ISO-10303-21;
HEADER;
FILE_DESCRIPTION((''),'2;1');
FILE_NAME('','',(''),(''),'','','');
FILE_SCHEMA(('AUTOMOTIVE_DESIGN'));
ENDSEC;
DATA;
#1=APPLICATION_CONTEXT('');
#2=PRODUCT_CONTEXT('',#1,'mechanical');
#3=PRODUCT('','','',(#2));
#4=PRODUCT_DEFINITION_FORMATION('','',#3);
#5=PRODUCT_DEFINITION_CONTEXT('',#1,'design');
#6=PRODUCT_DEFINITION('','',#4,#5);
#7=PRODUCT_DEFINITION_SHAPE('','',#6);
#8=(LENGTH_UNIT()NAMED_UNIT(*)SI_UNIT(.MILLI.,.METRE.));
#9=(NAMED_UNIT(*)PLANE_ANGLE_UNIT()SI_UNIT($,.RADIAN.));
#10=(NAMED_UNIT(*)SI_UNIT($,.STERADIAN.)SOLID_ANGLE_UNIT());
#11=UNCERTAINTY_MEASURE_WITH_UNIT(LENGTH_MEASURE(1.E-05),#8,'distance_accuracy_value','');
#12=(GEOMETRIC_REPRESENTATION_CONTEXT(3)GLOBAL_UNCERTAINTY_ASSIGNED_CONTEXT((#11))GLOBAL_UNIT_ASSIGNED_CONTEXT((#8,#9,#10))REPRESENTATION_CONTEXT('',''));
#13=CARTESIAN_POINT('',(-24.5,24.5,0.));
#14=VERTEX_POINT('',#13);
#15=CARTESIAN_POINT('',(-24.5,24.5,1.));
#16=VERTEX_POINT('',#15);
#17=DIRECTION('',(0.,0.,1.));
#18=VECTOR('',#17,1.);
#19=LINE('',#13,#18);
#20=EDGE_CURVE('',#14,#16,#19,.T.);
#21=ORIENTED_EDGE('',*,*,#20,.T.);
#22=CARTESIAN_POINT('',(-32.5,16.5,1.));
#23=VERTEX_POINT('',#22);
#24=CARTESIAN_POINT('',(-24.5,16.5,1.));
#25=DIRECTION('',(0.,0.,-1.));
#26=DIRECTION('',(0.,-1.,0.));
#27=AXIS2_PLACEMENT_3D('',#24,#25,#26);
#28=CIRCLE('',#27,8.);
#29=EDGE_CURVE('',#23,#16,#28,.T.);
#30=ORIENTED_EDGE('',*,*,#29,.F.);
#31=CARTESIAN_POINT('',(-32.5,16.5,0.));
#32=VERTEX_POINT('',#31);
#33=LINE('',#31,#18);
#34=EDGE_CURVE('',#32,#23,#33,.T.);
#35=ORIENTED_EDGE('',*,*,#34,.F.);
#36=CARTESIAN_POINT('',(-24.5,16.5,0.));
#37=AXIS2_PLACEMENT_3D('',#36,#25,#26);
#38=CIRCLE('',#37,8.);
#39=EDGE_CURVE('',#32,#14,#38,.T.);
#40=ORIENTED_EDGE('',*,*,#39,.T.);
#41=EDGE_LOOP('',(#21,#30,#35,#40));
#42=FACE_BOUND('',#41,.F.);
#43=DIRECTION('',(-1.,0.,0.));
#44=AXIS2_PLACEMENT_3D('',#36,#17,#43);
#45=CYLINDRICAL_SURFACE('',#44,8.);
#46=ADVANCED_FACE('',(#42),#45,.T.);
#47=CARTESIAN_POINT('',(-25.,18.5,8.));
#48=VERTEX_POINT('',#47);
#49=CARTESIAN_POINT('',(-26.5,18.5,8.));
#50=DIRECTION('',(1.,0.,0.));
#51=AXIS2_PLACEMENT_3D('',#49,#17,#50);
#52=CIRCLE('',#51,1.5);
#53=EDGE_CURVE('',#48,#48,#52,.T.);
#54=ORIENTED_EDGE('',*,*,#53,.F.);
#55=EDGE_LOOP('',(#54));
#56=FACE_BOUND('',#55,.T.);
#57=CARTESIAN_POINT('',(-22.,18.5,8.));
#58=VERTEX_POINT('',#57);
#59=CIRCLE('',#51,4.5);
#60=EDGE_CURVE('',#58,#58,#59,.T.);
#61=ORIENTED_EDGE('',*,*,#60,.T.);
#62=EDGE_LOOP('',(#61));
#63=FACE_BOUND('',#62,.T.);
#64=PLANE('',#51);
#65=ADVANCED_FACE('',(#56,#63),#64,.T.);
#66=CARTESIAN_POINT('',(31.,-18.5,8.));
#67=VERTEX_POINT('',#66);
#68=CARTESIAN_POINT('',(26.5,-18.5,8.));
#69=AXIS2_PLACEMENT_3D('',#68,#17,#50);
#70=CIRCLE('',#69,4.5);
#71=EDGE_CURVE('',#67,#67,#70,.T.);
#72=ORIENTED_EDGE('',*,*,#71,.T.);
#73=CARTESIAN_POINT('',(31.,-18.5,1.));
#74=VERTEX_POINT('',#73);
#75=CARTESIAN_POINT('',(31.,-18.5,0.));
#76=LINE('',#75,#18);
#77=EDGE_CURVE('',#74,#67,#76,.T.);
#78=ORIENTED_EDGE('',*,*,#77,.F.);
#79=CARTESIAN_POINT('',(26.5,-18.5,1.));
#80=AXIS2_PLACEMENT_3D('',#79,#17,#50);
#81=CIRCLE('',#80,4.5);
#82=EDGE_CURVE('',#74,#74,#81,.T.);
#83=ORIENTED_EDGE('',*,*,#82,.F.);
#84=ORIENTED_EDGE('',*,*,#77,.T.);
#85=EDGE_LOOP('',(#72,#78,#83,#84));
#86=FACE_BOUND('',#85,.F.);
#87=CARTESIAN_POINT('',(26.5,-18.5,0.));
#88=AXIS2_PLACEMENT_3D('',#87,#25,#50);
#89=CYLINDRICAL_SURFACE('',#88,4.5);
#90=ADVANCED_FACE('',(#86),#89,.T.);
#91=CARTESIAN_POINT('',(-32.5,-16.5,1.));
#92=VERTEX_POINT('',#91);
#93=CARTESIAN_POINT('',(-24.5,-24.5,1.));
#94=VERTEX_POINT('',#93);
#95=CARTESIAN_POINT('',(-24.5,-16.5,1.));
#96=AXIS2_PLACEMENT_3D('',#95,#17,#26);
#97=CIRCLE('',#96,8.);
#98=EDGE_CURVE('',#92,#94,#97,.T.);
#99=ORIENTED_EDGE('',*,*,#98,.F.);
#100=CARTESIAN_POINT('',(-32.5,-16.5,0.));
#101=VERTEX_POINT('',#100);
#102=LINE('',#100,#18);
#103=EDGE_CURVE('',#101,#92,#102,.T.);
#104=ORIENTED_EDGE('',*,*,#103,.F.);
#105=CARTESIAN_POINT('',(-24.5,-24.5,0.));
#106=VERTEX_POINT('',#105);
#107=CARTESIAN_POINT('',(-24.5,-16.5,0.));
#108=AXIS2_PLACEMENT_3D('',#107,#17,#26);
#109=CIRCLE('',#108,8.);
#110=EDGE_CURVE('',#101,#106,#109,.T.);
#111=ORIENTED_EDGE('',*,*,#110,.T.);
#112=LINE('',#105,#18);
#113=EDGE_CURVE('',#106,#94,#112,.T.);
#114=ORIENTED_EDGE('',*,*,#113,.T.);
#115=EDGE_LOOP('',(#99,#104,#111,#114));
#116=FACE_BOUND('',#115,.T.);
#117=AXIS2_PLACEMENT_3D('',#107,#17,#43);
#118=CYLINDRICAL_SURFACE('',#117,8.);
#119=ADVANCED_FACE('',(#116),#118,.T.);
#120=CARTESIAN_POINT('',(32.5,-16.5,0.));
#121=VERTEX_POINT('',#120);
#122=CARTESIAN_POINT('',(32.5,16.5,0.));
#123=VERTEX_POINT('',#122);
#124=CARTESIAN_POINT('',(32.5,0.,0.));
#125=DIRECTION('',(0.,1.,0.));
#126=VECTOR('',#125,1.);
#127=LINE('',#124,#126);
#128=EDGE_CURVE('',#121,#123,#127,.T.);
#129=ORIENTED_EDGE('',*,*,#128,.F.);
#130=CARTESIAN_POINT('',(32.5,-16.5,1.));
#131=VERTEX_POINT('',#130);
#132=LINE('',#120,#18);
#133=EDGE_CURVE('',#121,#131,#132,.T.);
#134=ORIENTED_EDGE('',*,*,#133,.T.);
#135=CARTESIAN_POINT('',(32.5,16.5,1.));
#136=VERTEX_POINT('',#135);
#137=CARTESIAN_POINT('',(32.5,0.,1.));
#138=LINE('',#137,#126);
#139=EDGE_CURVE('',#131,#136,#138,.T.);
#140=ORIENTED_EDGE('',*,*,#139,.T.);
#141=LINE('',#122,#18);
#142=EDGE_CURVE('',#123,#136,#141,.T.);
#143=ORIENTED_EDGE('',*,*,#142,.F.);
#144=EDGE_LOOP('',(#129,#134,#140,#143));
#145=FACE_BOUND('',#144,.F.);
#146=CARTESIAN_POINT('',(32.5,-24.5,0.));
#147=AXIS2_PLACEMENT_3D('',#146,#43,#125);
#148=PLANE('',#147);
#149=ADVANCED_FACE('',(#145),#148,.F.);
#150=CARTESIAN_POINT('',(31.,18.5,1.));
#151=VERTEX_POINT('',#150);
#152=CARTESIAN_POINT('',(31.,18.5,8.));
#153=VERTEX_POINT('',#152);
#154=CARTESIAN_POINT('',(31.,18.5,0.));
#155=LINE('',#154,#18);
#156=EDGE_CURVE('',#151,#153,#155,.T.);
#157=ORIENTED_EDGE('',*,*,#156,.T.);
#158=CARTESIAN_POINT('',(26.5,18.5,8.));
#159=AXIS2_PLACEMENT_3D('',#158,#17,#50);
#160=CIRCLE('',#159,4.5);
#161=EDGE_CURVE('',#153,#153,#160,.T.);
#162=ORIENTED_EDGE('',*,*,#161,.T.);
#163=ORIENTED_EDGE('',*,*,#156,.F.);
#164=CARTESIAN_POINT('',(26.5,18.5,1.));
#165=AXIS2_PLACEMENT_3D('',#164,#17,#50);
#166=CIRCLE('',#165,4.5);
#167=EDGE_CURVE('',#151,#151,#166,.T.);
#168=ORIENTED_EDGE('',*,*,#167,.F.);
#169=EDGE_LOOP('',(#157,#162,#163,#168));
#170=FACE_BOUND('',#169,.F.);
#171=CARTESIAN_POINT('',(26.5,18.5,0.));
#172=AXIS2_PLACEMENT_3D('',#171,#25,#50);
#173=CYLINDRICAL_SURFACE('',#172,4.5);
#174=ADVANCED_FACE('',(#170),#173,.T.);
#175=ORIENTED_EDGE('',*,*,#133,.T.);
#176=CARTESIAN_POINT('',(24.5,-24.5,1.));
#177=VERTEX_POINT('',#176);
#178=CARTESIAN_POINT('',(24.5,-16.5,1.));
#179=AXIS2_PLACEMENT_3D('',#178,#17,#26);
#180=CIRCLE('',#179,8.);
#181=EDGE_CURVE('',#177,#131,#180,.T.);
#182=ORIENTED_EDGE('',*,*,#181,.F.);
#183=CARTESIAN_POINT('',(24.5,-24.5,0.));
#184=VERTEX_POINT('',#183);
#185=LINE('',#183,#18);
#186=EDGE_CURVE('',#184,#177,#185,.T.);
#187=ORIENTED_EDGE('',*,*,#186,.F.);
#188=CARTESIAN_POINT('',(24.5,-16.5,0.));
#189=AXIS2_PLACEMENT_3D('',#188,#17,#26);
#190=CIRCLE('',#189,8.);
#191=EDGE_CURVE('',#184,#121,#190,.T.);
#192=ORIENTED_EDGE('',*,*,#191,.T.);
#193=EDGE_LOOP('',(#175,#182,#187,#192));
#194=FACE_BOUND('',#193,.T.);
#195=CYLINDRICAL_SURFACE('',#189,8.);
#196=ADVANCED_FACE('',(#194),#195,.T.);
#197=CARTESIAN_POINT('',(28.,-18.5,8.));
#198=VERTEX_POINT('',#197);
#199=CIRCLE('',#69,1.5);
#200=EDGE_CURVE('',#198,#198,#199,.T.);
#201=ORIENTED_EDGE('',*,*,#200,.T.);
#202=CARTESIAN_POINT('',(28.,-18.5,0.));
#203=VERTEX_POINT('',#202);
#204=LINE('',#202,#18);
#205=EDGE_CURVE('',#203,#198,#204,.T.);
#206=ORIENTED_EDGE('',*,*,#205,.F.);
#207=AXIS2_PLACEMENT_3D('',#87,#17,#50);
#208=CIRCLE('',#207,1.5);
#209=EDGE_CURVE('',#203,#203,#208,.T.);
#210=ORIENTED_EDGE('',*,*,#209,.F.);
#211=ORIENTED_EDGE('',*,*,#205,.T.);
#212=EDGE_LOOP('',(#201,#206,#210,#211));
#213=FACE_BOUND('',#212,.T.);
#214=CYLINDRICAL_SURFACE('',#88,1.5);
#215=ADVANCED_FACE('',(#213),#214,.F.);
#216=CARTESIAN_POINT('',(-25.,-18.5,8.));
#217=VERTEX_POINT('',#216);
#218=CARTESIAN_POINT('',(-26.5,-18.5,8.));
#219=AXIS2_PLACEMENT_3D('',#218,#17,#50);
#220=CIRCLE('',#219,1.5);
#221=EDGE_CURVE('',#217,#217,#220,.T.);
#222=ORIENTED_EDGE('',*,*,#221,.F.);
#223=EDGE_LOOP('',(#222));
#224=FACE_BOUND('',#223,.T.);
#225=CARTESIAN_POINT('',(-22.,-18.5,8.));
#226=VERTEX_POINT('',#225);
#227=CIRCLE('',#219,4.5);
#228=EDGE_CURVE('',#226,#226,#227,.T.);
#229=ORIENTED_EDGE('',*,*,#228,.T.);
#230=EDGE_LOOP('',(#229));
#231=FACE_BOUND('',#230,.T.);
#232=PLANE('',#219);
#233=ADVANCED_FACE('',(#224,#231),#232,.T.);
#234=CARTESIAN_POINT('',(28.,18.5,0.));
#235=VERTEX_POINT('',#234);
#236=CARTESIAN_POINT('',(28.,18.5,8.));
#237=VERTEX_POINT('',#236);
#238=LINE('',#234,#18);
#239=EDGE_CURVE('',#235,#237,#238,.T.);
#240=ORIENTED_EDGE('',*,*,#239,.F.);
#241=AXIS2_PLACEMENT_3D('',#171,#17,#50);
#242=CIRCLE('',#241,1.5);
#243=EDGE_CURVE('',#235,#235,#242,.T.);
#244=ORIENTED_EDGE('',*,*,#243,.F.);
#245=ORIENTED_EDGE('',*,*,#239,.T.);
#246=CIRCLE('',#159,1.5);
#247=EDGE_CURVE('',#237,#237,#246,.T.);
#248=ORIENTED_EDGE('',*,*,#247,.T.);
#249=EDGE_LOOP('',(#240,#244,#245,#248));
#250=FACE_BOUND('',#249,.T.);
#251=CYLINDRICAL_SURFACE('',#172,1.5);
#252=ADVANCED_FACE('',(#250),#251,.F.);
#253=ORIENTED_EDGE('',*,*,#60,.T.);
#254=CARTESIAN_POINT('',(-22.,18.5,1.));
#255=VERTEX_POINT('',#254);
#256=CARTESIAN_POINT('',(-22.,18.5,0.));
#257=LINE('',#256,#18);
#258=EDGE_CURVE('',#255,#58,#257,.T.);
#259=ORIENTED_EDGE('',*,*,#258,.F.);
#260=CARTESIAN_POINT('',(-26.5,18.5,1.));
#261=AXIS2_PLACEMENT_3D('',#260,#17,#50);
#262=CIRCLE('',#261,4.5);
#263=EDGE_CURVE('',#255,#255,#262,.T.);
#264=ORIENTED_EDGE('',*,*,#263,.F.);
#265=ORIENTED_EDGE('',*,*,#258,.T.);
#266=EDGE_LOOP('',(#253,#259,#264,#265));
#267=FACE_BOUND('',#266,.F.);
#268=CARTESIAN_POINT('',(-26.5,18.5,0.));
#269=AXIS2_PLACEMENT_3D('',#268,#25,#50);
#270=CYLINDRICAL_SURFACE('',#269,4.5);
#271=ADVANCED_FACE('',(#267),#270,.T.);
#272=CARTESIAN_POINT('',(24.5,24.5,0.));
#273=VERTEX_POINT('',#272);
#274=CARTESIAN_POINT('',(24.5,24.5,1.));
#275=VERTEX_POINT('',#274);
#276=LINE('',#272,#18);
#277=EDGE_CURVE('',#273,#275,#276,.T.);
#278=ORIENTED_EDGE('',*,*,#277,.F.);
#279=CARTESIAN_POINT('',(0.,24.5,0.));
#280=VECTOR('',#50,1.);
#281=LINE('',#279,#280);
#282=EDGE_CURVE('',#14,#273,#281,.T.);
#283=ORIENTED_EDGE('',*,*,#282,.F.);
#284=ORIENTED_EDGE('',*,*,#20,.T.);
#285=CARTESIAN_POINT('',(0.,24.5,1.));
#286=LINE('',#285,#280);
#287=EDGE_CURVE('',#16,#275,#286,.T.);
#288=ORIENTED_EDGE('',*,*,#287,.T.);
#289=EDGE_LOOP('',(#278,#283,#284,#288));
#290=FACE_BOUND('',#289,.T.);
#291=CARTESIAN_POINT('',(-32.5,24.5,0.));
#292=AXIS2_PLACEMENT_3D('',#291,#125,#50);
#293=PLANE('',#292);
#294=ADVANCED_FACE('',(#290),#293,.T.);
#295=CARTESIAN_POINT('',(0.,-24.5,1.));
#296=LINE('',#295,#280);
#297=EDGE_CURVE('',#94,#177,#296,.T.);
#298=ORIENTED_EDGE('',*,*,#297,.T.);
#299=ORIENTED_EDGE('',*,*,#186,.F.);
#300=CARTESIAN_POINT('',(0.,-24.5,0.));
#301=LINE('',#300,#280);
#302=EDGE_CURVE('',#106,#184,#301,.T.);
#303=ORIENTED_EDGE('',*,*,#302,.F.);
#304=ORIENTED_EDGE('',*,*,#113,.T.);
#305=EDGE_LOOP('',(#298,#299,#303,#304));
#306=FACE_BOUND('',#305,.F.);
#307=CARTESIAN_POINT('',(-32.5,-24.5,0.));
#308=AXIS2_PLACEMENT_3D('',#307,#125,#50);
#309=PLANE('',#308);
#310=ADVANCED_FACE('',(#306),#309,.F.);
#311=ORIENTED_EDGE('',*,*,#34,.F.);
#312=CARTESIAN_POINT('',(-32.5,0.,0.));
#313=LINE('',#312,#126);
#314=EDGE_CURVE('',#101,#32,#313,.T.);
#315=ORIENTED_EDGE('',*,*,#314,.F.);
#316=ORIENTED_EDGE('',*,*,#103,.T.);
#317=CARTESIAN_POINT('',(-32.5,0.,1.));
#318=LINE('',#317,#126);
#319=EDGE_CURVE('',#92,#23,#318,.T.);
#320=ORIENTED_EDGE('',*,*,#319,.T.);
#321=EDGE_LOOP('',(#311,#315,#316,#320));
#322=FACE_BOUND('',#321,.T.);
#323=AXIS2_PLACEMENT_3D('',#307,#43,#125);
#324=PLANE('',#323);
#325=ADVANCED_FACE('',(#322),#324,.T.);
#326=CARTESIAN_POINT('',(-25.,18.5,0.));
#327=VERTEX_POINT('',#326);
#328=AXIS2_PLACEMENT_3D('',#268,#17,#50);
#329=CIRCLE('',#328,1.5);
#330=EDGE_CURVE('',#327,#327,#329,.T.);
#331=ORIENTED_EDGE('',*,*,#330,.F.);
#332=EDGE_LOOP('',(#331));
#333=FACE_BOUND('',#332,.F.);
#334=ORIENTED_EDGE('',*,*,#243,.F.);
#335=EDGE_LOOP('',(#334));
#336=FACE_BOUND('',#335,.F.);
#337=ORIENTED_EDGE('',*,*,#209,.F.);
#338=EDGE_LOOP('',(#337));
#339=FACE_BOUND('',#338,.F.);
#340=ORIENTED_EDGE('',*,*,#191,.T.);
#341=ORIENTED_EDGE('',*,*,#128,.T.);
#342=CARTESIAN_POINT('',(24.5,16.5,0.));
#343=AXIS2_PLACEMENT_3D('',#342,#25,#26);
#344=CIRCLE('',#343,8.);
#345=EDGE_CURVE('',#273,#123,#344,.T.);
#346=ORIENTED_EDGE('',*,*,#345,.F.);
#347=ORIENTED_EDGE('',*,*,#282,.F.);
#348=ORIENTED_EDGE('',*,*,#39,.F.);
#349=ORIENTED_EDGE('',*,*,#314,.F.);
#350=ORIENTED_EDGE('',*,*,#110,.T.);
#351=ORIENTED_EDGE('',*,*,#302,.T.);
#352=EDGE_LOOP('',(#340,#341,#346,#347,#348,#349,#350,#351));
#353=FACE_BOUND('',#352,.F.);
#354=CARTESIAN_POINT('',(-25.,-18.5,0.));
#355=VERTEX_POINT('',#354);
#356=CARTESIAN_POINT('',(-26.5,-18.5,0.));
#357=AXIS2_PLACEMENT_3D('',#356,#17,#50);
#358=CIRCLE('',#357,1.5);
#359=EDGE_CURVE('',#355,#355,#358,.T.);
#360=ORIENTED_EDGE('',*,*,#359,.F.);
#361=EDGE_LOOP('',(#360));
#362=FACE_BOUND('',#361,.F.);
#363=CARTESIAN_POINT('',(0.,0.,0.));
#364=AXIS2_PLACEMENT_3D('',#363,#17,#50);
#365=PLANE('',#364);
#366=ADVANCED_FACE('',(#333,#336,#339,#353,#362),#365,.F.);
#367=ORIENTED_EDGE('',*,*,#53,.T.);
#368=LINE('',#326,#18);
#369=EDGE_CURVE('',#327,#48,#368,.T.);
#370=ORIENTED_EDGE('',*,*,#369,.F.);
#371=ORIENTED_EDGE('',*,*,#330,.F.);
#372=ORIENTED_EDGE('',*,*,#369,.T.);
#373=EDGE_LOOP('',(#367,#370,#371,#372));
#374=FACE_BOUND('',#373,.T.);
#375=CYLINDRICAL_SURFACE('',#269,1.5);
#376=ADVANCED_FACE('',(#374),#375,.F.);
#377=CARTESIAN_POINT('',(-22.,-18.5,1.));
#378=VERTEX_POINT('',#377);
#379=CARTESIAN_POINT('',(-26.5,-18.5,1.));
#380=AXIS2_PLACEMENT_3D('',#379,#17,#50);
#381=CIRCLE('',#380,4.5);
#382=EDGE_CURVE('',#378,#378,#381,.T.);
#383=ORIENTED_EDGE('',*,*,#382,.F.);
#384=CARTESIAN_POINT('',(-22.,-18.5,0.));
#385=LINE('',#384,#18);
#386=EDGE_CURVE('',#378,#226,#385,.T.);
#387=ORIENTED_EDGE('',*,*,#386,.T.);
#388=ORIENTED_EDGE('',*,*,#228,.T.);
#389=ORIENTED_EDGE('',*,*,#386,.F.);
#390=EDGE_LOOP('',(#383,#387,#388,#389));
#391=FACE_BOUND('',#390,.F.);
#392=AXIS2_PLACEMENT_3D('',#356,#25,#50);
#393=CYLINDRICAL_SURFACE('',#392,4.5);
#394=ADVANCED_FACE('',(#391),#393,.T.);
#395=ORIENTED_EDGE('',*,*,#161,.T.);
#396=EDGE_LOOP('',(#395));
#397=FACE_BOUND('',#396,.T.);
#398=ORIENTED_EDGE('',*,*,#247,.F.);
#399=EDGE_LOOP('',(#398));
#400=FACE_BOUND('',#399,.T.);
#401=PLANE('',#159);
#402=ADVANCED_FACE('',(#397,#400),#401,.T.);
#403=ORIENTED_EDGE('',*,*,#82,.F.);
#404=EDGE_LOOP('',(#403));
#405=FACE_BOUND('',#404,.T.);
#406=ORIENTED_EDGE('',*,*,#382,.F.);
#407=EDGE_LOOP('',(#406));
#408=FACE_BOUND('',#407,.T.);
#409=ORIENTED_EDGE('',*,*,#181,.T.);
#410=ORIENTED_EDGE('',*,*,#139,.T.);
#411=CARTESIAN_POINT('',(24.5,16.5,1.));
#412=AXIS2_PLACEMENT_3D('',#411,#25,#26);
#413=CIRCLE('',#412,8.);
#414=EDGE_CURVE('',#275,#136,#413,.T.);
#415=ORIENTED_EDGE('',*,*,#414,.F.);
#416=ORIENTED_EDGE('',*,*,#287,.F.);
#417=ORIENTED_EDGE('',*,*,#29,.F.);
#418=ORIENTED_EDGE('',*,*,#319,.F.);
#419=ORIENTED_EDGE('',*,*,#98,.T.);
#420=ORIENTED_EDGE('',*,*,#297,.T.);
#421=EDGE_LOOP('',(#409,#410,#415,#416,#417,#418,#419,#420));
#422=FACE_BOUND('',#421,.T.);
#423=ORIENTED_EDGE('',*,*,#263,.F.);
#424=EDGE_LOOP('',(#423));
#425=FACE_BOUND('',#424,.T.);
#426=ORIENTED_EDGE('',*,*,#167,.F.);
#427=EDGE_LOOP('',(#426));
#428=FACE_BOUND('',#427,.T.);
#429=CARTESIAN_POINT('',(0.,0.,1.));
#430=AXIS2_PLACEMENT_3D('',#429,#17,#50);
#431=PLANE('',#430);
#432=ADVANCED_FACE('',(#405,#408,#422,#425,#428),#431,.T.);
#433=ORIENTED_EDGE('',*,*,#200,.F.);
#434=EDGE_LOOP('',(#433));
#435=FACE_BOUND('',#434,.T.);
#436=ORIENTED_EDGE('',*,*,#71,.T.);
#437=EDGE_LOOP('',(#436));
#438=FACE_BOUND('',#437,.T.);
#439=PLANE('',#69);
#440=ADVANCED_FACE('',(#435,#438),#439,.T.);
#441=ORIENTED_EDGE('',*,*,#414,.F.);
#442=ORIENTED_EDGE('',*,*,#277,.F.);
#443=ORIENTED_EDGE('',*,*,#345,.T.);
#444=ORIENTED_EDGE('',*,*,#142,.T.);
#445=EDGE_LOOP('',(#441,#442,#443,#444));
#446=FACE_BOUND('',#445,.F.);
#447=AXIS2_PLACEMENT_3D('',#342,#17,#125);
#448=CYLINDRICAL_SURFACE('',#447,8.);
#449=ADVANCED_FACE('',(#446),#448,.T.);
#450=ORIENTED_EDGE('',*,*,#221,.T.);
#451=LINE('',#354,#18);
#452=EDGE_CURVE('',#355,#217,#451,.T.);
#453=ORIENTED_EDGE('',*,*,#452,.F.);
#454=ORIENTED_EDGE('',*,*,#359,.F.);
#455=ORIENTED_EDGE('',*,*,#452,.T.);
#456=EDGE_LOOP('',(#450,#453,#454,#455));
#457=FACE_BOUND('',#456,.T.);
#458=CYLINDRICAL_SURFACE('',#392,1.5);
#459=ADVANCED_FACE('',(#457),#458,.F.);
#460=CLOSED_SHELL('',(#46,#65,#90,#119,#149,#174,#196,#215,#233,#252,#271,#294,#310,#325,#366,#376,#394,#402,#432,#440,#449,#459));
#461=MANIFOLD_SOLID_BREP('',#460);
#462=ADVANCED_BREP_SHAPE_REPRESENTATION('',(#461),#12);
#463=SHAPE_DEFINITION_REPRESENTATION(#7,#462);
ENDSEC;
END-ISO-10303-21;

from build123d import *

# Parameters (mm, degrees)
F0_W     = 65
F0_H     = 49
F0_R     = 4.5
F1_DEPTH = 1
F0_R_2   = 1.5
F3_DEPTH = 8
F4_R     = 8


with BuildPart() as f1:
    # F0 (on Top) → F1 (new body)
    with BuildSketch(Plane.XY):
        Rectangle(F0_W, F0_H)
        with Locations((-26.5, -18.5)):
            Circle(F0_R, mode=Mode.SUBTRACT)
        with Locations((26.5, -18.5)):
            Circle(F0_R, mode=Mode.SUBTRACT)
        with Locations((-26.5, 18.5)):
            Circle(F0_R, mode=Mode.SUBTRACT)
        with Locations((26.5, 18.5)):
            Circle(F0_R, mode=Mode.SUBTRACT)
    extrude(amount=F1_DEPTH)

    # F0 (on Top) → F3 (join)
    with BuildSketch(Plane.XY):
        with Locations((26.5, 18.5)):
            Circle(F0_R)
        with Locations((26.5, 18.5)):
            Circle(F0_R_2, mode=Mode.SUBTRACT)
        with Locations((-26.5, -18.5)):
            Circle(F0_R)
        with Locations((-26.5, -18.5)):
            Circle(F0_R_2, mode=Mode.SUBTRACT)
        with Locations((-26.5, 18.5)):
            Circle(F0_R)
        with Locations((-26.5, 18.5)):
            Circle(F0_R_2, mode=Mode.SUBTRACT)
        with Locations((26.5, -18.5)):
            Circle(F0_R)
        with Locations((26.5, -18.5)):
            Circle(F0_R_2, mode=Mode.SUBTRACT)
    extrude(amount=F3_DEPTH)

    # F4
    f4_edges = [f1.edges().sort_by_distance(p)[0] for p in [
        (32.5, -24.5, 0.5),
        (32.5, 24.5, 0.5),
        (-32.5, -24.5, 0.5),
        (-32.5, 24.5, 0.5),
    ]]
    fillet(f4_edges, radius=F4_R)


solid = f1.part
